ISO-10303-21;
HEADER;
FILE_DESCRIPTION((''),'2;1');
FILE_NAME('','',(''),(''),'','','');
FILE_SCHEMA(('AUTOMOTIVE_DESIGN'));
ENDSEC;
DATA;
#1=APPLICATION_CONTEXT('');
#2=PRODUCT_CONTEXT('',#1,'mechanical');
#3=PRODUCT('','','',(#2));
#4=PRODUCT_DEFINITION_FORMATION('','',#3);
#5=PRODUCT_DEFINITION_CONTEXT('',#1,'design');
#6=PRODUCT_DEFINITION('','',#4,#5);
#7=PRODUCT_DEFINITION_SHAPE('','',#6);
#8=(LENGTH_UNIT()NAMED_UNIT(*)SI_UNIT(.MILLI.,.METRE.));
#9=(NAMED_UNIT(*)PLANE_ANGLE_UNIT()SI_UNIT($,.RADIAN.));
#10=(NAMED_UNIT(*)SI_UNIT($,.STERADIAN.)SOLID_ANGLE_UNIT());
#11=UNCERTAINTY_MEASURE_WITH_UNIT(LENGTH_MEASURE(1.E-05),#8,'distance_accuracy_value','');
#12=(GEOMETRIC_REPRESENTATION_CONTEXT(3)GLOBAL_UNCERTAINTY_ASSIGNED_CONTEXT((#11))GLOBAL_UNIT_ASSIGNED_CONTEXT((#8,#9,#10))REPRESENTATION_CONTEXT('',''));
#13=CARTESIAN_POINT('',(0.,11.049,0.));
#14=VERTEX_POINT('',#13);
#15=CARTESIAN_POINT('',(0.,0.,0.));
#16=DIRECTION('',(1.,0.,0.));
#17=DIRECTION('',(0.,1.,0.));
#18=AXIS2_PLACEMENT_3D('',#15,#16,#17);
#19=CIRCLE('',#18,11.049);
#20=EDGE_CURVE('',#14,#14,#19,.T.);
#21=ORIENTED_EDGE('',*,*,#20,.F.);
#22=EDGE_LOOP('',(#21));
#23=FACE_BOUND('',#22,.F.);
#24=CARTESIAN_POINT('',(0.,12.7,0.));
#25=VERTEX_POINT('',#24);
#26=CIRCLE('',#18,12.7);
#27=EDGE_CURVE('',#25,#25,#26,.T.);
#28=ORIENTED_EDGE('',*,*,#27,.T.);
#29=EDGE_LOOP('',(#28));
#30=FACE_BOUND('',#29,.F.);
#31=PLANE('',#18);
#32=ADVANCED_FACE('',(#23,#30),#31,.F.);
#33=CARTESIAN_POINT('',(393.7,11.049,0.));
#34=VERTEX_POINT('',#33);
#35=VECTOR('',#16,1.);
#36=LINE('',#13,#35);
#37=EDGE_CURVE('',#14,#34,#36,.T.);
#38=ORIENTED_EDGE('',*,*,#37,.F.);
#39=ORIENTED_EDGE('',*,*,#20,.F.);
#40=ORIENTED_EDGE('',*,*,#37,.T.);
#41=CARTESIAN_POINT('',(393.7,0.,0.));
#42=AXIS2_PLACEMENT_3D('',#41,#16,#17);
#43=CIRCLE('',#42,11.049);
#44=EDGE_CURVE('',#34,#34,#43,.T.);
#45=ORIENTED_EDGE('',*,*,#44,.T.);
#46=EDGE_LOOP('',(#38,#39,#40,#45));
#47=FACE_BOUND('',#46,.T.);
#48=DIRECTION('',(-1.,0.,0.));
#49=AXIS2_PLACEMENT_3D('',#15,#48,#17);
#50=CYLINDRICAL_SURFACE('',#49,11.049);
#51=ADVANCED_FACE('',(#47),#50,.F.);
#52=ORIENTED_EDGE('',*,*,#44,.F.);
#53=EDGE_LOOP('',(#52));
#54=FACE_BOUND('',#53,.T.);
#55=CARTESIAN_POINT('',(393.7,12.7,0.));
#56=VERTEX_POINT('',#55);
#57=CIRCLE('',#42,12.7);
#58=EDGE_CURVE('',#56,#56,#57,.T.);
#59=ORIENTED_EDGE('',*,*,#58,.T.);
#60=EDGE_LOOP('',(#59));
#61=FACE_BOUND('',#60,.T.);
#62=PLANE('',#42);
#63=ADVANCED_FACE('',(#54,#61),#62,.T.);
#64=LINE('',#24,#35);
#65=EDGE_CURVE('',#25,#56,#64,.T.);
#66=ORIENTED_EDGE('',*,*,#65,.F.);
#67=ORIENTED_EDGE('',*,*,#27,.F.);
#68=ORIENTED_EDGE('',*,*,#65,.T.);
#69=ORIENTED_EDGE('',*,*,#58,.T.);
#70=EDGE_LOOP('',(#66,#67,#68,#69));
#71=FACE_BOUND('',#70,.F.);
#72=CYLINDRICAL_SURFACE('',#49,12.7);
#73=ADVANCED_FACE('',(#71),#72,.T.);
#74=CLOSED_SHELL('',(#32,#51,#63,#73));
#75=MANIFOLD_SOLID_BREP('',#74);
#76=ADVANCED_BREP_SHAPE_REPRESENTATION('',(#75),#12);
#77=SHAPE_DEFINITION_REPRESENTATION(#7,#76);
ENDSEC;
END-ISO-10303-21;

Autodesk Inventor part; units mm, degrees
ref_plane "XZ Plane" through (0, 0, 0) normal (0, 1, 0) x (-1, 0, 0)
ref_plane "Start Plane" through (0, 0, 0) normal (1, 0, 0) x (0, 1, 0)
ref_plane "End Plane" through (393.7, 0, 0) normal (1, 0, 0) x (0, 1, 0)
sketch "Sketch" plane through (0, 0, 0) normal (1, 0, 0) x (0, 1, 0)
  circle A0 centre (0, 0) radius 12.7
  circle A1 centre (0, 0) radius 11.049
  dimension "d0" = 25.4
  dimension "d1" = 1.651
extrude "Body" add sketch "Sketch" along normal up to surface (393.7 mm away) from surface at 0
sketch "Sketch2" plane through (0, 0, 0) normal (1, 0, 0) x (0, 1, 0)
  line L0 (0, 0) -> (10, 0)
ref_plane "Work Plane3" through (0, 0, 0) normal (0, 0, -1) x (0, 1, 0)
sketch "Sketch3" plane through (0, 0, 0) normal (0, 0, -1) x (0, 1, 0)
  line L0 (-2, 0) -> (12, 0)
  line L1 (-2, 393.7) -> (12, 393.7)
  dimension "d9" = 393.7
equation "\"G_OFFSET_START\" = 0"
equation "\"G_OFFSET_END\" = 0"
equation "\"d5\" = d2 + G_OFFSET_END"
equation "\"G_L\" = d9"
equation "\"d2\" = 393.7"
properties part number "4130_1x0.065" material "Steel, Alloy"
